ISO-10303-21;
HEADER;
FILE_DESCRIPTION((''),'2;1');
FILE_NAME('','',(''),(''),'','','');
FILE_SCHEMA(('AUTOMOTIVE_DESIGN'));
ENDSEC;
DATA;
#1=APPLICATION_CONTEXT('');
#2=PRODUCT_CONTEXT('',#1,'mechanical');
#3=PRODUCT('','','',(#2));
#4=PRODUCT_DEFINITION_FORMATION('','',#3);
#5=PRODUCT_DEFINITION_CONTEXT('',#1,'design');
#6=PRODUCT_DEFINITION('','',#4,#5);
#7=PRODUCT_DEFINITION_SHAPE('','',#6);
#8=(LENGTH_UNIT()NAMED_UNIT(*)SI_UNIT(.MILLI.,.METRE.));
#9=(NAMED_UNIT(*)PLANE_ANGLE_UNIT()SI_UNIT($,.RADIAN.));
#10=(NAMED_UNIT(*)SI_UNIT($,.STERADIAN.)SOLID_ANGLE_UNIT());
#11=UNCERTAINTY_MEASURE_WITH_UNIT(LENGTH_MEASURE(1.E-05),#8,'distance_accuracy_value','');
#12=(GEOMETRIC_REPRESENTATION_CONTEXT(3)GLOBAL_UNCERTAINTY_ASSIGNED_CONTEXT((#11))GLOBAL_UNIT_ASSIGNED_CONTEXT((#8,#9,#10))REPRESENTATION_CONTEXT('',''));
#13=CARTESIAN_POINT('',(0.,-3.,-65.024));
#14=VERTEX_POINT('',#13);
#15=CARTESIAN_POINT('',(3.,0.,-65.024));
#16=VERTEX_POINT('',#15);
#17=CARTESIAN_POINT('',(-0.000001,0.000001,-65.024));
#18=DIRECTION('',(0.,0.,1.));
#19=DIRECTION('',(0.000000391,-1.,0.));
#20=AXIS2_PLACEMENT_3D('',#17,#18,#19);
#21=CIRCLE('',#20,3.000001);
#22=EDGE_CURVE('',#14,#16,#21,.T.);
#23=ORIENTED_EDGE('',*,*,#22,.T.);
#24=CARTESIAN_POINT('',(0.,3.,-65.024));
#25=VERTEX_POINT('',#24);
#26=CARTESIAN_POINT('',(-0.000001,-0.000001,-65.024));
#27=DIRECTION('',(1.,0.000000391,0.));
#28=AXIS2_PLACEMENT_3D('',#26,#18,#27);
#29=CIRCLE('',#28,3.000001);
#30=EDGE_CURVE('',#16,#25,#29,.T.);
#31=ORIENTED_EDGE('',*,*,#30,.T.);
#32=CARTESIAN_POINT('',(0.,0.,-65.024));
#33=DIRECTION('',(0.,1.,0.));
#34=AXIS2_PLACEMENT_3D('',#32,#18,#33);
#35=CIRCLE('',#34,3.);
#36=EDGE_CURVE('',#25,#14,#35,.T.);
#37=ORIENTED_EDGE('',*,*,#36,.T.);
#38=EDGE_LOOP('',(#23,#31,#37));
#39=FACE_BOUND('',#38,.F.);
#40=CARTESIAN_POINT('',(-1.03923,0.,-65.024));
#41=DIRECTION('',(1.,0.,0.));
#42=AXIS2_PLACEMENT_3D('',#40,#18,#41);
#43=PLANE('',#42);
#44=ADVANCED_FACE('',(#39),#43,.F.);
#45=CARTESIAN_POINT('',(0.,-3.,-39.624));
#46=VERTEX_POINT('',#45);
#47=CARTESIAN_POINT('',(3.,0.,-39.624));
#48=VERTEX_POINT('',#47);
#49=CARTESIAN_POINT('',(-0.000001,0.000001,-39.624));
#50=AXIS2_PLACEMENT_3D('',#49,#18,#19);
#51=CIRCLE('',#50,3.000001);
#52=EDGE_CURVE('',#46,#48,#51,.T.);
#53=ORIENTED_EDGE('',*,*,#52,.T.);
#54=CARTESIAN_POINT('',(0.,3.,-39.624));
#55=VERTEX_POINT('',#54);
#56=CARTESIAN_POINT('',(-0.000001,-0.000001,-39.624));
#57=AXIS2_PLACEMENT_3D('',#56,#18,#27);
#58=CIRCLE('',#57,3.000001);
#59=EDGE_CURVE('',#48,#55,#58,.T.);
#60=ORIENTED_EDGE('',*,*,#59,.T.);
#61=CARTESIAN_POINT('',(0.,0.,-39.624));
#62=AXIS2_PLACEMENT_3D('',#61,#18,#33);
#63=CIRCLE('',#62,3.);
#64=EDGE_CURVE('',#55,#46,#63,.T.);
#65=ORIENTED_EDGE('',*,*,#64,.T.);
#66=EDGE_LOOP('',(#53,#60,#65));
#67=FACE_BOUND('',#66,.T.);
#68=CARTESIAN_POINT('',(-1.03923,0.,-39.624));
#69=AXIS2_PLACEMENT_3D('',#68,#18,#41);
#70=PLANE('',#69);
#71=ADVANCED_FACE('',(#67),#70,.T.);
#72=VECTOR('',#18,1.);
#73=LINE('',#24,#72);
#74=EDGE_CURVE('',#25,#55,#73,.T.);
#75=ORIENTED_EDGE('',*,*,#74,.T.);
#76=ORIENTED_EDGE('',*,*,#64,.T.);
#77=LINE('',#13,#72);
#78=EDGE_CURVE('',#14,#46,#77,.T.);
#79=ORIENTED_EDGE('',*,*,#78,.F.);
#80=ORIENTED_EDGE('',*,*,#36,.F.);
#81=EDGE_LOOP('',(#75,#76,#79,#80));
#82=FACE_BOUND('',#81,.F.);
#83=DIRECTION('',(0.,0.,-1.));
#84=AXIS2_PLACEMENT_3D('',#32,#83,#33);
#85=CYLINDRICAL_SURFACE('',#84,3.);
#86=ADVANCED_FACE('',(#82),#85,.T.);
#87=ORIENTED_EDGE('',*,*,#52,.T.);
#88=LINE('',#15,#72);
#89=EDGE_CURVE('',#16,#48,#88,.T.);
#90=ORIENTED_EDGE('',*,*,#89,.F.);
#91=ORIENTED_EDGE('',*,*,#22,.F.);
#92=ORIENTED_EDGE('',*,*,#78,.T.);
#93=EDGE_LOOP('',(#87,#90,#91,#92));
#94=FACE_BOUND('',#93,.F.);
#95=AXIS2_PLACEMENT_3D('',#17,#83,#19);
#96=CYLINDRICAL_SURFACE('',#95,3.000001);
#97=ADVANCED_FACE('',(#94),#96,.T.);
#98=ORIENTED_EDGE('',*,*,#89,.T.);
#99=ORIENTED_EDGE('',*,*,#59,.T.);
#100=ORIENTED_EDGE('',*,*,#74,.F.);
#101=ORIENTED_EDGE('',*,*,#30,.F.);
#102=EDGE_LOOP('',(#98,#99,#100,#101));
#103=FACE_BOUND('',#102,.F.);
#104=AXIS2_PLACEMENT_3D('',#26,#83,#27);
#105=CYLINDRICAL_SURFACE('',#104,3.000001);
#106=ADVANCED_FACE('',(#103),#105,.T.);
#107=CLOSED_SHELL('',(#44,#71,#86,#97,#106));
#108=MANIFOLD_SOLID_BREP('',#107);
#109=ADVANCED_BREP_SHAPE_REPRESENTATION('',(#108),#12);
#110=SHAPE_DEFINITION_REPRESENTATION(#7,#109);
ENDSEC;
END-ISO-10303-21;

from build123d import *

# Parameters (mm, degrees)
F1_DEPTH = 25.4


with BuildPart() as f1:
    # F0 (on Top) → F1 (new body)
    with BuildSketch(Plane.XY):
        with BuildLine():
            Line((0, -3), (0, 3))
            ThreePointArc((0, 3), (-3, 0), (0, -3))
        make_face()
        with BuildLine():
            ThreePointArc((0, -3), (2.12132, -2.12132), (3, 0))
            ThreePointArc((3, 0), (2.12132, 2.12132), (0, 3))
            Line((0, 3), (0, -3))
        make_face()
    extrude(amount=F1_DEPTH)


with BuildPart() as f1_1:
    # F2: moved
    add(f1.part.moved(Location((0, 0, -65.024))))


solid = f1_1.part
